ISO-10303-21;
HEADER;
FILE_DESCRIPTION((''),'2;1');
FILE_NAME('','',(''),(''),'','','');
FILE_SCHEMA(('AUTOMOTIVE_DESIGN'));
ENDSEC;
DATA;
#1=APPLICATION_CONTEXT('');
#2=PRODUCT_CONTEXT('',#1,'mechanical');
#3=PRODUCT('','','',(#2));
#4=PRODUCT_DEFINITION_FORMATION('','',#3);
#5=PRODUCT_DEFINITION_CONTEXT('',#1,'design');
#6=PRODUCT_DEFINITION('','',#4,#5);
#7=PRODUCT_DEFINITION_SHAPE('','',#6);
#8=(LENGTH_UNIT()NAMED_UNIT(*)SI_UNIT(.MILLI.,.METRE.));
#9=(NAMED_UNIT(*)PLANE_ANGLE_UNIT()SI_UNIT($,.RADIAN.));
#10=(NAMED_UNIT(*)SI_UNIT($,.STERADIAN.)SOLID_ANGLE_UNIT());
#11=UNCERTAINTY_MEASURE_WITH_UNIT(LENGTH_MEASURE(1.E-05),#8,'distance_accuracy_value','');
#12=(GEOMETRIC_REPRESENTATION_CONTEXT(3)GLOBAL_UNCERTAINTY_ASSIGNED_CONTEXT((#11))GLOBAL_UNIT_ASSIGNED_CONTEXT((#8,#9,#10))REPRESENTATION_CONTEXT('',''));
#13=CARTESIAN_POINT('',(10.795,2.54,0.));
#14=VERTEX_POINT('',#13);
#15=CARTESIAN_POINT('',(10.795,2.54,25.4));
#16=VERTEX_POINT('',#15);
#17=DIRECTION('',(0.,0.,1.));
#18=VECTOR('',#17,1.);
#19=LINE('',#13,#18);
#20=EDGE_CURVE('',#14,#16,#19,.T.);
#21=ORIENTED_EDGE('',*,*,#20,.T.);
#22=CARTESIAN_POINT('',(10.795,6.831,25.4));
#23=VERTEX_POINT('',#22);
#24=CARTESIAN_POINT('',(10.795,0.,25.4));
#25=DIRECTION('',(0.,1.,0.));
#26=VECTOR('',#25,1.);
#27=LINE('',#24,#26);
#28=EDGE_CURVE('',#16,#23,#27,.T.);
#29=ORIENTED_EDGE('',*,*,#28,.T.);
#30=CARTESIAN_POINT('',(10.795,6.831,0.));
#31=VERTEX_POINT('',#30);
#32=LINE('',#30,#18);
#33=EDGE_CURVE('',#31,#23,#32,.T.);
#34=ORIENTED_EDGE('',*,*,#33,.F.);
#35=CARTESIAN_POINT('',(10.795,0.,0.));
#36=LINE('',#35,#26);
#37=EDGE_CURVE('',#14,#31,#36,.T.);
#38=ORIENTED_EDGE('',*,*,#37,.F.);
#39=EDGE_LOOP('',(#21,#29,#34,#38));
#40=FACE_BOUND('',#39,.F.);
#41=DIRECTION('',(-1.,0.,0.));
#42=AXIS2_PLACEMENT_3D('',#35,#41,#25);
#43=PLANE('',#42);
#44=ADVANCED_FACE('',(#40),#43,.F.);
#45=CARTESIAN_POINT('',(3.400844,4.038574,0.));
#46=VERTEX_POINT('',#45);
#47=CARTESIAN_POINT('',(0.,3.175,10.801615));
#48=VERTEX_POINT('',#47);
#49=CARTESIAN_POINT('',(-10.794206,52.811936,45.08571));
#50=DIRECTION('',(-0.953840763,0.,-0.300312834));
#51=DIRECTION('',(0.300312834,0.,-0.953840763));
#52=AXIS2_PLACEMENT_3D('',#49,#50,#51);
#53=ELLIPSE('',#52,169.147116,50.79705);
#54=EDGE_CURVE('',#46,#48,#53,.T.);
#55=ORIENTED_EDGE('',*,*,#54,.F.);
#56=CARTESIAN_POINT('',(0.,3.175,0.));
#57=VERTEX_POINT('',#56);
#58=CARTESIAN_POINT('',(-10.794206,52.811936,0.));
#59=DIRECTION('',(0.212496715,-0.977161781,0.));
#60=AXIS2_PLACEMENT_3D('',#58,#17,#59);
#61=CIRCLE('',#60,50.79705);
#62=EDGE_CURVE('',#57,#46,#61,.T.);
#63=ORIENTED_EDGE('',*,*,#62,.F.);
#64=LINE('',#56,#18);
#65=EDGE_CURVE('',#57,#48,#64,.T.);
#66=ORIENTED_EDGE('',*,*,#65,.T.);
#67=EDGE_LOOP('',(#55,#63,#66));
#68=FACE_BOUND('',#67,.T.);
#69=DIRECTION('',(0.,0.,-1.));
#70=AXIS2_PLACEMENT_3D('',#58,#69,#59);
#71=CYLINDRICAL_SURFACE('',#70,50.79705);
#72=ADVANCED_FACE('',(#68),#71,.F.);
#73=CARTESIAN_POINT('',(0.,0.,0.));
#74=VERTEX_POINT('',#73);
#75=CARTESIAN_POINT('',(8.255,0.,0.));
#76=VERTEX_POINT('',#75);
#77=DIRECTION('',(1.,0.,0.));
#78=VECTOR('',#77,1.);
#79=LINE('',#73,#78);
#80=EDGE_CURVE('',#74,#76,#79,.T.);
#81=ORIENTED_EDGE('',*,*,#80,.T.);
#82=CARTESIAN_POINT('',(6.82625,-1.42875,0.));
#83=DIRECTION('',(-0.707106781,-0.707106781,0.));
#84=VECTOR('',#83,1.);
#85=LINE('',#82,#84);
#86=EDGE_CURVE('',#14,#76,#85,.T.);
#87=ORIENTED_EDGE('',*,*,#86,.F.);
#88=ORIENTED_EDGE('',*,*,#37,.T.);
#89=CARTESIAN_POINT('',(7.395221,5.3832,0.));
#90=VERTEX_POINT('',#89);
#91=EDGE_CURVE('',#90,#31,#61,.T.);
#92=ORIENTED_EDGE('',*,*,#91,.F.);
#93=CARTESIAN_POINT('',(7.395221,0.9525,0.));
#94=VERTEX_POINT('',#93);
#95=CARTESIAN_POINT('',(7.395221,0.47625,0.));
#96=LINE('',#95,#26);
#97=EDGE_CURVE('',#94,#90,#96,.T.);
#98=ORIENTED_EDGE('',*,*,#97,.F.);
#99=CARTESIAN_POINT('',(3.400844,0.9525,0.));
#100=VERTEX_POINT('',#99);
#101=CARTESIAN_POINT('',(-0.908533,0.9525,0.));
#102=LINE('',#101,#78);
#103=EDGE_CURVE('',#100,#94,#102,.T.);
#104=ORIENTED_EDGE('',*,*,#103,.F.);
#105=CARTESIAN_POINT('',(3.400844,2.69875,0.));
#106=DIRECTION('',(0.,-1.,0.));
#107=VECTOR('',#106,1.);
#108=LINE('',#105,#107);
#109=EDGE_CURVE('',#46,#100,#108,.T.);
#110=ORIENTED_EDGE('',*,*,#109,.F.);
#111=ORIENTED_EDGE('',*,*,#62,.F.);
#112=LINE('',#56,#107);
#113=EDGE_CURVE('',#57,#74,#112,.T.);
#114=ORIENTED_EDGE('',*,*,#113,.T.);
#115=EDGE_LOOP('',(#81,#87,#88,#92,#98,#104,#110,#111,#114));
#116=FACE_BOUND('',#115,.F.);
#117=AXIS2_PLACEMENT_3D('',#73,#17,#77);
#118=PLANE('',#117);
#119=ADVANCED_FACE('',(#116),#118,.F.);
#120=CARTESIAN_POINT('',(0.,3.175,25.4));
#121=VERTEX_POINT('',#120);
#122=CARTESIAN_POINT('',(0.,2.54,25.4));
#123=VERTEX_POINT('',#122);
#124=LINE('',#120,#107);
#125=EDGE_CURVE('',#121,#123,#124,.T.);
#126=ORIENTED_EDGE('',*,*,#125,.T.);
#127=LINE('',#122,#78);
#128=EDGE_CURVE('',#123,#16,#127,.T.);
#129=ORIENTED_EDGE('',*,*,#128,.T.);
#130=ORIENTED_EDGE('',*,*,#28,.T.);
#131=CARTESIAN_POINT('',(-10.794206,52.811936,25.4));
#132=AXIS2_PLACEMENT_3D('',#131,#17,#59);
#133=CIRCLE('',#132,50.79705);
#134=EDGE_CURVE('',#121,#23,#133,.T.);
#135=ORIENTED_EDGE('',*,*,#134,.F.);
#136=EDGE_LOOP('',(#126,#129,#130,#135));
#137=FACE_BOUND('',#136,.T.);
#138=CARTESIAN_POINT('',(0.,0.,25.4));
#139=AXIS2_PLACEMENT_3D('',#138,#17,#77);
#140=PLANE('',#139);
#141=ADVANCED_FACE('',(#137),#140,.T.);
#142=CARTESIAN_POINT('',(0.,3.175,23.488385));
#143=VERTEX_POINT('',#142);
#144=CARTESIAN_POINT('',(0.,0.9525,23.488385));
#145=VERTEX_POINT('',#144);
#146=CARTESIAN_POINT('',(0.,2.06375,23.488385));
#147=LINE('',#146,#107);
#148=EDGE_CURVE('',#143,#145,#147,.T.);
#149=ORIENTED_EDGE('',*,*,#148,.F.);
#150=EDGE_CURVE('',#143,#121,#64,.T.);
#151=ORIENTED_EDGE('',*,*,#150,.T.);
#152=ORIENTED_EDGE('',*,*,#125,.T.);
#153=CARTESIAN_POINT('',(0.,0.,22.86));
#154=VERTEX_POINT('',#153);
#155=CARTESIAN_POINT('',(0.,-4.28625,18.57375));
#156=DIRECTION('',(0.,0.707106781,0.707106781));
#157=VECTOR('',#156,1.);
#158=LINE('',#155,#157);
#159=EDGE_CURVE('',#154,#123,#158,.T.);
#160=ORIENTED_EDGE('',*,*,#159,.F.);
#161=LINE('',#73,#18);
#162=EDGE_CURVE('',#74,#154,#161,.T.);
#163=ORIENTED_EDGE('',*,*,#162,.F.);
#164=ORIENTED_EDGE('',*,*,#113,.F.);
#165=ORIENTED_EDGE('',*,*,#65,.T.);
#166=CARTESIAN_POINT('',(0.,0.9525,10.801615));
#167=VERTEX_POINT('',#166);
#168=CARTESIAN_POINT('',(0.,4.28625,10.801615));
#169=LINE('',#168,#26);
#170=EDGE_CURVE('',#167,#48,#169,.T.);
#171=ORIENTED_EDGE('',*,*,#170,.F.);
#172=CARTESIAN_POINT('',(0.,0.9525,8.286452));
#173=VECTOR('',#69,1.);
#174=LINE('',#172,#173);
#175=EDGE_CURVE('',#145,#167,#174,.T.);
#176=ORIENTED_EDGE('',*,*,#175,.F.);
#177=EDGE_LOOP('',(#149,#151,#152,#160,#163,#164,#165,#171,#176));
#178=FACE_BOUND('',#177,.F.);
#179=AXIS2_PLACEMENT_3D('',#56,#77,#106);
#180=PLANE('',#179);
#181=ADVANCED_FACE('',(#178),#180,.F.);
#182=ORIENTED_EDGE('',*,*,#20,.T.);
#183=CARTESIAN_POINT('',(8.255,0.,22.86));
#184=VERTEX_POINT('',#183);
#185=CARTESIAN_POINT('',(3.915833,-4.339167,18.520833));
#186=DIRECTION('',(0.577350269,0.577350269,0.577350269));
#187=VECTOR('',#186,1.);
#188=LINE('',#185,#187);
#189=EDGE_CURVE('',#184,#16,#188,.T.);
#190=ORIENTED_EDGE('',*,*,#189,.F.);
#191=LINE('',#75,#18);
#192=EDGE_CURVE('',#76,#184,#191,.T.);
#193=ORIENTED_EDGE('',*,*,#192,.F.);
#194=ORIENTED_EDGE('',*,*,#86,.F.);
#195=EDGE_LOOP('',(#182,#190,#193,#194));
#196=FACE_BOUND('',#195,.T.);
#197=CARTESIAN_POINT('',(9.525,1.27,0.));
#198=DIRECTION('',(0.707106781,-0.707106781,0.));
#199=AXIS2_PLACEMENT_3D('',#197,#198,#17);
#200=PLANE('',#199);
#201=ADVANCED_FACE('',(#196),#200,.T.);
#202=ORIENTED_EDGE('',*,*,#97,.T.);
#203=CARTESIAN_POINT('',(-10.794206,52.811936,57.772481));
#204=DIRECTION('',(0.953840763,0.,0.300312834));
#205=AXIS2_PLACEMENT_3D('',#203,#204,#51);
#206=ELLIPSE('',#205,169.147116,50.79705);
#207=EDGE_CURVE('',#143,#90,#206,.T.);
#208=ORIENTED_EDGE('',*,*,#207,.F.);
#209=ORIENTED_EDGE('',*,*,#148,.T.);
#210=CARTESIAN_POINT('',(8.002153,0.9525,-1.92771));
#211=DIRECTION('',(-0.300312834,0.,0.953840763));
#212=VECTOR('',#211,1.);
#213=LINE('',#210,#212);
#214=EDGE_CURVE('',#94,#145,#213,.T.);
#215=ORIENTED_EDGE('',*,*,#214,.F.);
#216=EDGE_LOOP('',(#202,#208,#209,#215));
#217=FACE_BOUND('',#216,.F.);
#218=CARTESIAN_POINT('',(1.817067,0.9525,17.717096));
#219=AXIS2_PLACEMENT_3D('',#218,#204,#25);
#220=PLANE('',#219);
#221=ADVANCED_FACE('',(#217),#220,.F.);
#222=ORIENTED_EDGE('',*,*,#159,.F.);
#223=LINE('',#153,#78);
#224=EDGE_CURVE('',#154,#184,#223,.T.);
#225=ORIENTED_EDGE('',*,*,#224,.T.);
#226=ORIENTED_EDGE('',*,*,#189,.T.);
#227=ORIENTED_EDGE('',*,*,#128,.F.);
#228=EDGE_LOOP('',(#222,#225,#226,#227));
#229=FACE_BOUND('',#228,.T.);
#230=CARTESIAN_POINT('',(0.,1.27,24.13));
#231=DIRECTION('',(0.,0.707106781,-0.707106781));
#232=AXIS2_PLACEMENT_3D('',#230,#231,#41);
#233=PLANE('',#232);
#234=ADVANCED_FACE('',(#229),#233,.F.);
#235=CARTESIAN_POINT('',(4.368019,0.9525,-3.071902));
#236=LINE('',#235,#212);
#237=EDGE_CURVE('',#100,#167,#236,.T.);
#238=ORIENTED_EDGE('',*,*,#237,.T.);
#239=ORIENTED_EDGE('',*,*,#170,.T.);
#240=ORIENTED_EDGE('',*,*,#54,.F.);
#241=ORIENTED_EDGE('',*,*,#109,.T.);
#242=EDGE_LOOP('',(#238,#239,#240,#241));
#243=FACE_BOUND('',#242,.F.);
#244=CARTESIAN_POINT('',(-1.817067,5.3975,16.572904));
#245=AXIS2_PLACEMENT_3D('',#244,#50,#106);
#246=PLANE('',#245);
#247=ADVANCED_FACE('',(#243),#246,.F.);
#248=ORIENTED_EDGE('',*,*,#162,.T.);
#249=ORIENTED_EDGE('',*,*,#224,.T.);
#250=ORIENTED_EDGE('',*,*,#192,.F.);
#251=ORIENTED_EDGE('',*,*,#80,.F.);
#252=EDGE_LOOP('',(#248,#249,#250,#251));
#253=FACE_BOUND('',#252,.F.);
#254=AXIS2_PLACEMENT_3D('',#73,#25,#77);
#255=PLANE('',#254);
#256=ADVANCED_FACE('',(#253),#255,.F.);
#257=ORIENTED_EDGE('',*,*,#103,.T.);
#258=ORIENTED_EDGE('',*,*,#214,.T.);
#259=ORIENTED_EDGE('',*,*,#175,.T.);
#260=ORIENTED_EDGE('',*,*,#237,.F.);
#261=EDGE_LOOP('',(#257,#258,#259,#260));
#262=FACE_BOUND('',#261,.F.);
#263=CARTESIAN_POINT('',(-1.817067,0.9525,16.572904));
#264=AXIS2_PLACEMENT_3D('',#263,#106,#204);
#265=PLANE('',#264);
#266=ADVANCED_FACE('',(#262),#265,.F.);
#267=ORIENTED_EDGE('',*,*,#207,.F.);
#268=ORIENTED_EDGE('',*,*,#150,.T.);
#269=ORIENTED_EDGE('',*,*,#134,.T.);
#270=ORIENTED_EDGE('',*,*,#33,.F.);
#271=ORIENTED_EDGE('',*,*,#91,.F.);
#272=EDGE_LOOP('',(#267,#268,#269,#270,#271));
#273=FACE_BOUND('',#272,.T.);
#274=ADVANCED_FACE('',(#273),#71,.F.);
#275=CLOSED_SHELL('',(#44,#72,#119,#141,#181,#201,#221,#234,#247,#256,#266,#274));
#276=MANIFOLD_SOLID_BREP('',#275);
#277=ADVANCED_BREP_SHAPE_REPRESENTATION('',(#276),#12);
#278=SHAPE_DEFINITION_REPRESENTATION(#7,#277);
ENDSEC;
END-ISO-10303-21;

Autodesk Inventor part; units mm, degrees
ref_plane "YZ Plane" through (0, 0, 0) normal (1, 0, 0) x (0, 1, 0)
sketch "Sketch1" plane through (0, 0, 0) normal (0, 0, 1) x (1, 0, 0)
  line L0 (0, 3.175) -> (0, 0)
  line L1 (0, 0) -> (10.795, 0)
  line L2 (10.795, 0) -> (10.795, 6.831)
  arc A0 (0, 3.175) -> (10.795, 6.831) centre (-10.795, 52.8148) ccw
  line L3 (0, 3.175) -> (-10.795, 3.175) construction
  line L4 (-10.795, 3.175) -> (-10.795, 2.0148) construction
  arc A1 (-10.795, 2.0148) -> (0, 3.175) centre (-10.795, 52.8148) ccw construction
  dimension "d0" = 50.8
  dimension "d1" = 3.175
  dimension "d4" = 10.795
  dimension "d11" = 10.795
extrude "Extrusion1" add sketch "Sketch1" along normal blind 25.4
ref_plane "Work Plane1" through (0, 3.175, 0) normal (0, -1, 0) x (1, 0, 0)
sketch "Sketch2" plane through (0, 3.175, 0) normal (0, -1, 0) x (1, 0, 0)
  line L0 (0, 0) -> (0, 25.4) projected
  line L1 (0, 17.145) -> (5.3975, 0)
  line L2 (10.795, 0) -> (0, 0) projected
  line L3 (0, 25.4) -> (10.795, 25.4) projected
  dimension "d6" = 8.255
ref_plane "Work Plane2" through (0, 3.175, 17.145) normal (0.3003, 0, -0.9538) x (0, 1, 0)
sketch "Sketch3" plane through (0, 3.175, 17.145) normal (0.3003, 0, -0.9538) x (0, 1, 0)
  line L0 (2.2225, -1.905) -> (-2.2225, -1.905)
  line L1 (-2.2225, -1.905) -> (-2.2225, 1.905)
  line L2 (-2.2225, 1.905) -> (2.2225, 1.905)
  line L3 (2.2225, 1.905) -> (2.2225, -1.905)
  point P0 (-3.175, -5.1484)
  point P1 (0, 0)
  point P2 (2.2225, 0)
  point P3 (0, 1.905)
  dimension "d7" = 4.445
  dimension "d10" = 3.81
extrude "Extrusion2" cut sketch "Sketch3" along normal through all both and the other way through all
chamfer "Chamfer1" distance 2.54 angle 45 1 edges at (10.795, 0, 12.7)
chamfer "Chamfer2" distance 2.54 angle 45 1 edges at (4.1275, 0, 25.4)
properties part number "WireGuideToSail1" material "ABS Plastic"
